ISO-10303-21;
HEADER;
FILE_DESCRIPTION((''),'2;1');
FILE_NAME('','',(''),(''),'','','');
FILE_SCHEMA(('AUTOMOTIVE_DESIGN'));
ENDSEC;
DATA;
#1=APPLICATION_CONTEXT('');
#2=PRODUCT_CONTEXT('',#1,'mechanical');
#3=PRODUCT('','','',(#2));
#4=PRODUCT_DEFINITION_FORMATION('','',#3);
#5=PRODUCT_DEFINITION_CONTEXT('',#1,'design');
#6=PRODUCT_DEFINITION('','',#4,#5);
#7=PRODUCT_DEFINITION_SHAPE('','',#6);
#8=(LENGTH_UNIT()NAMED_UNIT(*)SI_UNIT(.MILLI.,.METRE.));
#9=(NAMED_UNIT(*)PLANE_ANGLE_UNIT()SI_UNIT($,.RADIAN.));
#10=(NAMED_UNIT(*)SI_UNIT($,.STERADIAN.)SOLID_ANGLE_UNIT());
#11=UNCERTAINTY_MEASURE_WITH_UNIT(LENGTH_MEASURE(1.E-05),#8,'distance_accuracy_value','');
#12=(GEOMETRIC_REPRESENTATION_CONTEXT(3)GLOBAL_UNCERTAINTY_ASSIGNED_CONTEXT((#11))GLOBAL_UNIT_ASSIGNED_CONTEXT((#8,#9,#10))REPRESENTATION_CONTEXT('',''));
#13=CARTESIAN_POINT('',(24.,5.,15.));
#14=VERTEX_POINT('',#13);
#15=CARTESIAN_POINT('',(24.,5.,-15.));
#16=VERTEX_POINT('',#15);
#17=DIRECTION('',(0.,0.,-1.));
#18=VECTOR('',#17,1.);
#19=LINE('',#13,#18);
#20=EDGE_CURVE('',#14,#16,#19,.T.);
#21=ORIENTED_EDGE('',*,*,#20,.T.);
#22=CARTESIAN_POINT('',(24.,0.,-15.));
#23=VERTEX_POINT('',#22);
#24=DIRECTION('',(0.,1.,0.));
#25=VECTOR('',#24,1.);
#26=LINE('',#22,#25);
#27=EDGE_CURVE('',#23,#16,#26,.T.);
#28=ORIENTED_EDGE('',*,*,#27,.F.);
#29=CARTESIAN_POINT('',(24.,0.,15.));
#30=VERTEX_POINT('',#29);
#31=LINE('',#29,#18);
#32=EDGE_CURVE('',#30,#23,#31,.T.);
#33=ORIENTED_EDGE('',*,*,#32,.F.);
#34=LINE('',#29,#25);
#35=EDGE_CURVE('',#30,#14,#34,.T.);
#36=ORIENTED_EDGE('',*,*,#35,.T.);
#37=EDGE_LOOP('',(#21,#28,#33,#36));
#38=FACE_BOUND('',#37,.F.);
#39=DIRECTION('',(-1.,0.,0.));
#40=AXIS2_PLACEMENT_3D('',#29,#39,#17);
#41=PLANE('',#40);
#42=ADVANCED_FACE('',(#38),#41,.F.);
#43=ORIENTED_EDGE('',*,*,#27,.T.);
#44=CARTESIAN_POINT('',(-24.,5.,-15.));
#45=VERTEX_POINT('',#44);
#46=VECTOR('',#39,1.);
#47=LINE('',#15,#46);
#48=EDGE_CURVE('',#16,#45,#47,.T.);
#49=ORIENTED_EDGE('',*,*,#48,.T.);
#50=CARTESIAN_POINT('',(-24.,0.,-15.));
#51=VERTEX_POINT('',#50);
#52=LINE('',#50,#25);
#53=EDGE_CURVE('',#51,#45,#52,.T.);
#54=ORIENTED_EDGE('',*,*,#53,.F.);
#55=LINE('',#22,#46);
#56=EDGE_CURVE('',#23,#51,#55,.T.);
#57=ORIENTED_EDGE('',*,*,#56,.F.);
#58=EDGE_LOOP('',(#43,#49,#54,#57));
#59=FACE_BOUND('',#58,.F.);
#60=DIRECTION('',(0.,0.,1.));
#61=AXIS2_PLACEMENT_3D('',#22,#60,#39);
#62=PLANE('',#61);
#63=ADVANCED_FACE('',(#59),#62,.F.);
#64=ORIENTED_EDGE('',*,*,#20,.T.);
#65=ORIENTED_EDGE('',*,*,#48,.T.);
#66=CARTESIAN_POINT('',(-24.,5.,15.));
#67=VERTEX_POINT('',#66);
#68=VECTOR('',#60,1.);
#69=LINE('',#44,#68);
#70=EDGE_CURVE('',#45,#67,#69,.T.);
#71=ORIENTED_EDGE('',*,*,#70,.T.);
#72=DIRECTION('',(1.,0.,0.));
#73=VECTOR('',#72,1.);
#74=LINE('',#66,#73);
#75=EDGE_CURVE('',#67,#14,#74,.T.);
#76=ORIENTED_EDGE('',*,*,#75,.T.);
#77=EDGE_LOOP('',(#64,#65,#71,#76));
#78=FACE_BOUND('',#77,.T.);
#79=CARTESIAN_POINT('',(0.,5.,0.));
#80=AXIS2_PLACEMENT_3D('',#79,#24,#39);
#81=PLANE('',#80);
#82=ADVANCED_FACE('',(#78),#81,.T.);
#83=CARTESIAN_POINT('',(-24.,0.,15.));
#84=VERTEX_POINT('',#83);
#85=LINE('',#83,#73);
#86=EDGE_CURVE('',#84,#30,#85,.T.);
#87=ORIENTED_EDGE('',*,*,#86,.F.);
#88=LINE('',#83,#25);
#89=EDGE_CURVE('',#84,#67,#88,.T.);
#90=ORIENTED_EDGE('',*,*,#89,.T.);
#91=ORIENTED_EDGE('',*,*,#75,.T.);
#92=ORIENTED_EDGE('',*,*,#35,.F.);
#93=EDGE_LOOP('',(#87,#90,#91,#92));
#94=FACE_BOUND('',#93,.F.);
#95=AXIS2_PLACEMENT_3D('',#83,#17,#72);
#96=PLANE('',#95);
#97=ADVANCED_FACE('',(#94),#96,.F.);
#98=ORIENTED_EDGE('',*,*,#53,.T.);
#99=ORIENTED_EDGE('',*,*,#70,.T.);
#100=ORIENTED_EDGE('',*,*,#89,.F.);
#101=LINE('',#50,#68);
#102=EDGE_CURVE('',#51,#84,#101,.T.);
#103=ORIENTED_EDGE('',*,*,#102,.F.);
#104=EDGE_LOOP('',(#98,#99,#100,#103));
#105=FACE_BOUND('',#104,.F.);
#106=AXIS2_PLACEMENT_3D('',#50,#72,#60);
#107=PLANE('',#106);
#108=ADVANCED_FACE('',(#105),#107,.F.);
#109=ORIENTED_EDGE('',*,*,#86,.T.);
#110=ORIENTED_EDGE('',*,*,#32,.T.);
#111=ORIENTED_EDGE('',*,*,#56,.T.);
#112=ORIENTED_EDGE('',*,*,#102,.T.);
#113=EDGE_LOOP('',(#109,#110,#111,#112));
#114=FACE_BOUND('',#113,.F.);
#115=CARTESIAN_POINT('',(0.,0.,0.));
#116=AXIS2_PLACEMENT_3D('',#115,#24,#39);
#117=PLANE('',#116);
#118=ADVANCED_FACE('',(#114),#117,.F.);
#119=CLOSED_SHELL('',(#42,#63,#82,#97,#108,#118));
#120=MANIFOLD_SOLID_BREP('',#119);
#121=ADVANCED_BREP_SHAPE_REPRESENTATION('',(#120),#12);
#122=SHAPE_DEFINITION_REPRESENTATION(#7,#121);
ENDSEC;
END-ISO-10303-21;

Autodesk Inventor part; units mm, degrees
ref_plane "YZ Plane" through (0, 0, 0) normal (1, 0, 0) x (0, 1, 0)
ref_plane "XZ Plane" through (0, 0, 0) normal (0, 1, 0) x (-1, 0, 0)
ref_plane "XY Plane" through (0, 0, 0) normal (0, 0, 1) x (1, 0, 0)
sketch "Sketch1" plane through (0, 0, 0) normal (0, 1, 0) x (-1, 0, 0)
  line L0 (24, 15) -> (-24, 15)
  line L1 (-24, 15) -> (-24, -15)
  line L2 (-24, -15) -> (24, -15)
  line L3 (24, -15) -> (24, 15)
  line L4 (24, 15) -> (-24, -15) construction
  line L5 (-24, 15) -> (24, -15) construction
  point P0 (0, 0)
  dimension "d0" = 48
  dimension "d1" = 30
extrude "Extrusion1" add sketch "Sketch1" along normal blind 5
properties part number "lipo"
